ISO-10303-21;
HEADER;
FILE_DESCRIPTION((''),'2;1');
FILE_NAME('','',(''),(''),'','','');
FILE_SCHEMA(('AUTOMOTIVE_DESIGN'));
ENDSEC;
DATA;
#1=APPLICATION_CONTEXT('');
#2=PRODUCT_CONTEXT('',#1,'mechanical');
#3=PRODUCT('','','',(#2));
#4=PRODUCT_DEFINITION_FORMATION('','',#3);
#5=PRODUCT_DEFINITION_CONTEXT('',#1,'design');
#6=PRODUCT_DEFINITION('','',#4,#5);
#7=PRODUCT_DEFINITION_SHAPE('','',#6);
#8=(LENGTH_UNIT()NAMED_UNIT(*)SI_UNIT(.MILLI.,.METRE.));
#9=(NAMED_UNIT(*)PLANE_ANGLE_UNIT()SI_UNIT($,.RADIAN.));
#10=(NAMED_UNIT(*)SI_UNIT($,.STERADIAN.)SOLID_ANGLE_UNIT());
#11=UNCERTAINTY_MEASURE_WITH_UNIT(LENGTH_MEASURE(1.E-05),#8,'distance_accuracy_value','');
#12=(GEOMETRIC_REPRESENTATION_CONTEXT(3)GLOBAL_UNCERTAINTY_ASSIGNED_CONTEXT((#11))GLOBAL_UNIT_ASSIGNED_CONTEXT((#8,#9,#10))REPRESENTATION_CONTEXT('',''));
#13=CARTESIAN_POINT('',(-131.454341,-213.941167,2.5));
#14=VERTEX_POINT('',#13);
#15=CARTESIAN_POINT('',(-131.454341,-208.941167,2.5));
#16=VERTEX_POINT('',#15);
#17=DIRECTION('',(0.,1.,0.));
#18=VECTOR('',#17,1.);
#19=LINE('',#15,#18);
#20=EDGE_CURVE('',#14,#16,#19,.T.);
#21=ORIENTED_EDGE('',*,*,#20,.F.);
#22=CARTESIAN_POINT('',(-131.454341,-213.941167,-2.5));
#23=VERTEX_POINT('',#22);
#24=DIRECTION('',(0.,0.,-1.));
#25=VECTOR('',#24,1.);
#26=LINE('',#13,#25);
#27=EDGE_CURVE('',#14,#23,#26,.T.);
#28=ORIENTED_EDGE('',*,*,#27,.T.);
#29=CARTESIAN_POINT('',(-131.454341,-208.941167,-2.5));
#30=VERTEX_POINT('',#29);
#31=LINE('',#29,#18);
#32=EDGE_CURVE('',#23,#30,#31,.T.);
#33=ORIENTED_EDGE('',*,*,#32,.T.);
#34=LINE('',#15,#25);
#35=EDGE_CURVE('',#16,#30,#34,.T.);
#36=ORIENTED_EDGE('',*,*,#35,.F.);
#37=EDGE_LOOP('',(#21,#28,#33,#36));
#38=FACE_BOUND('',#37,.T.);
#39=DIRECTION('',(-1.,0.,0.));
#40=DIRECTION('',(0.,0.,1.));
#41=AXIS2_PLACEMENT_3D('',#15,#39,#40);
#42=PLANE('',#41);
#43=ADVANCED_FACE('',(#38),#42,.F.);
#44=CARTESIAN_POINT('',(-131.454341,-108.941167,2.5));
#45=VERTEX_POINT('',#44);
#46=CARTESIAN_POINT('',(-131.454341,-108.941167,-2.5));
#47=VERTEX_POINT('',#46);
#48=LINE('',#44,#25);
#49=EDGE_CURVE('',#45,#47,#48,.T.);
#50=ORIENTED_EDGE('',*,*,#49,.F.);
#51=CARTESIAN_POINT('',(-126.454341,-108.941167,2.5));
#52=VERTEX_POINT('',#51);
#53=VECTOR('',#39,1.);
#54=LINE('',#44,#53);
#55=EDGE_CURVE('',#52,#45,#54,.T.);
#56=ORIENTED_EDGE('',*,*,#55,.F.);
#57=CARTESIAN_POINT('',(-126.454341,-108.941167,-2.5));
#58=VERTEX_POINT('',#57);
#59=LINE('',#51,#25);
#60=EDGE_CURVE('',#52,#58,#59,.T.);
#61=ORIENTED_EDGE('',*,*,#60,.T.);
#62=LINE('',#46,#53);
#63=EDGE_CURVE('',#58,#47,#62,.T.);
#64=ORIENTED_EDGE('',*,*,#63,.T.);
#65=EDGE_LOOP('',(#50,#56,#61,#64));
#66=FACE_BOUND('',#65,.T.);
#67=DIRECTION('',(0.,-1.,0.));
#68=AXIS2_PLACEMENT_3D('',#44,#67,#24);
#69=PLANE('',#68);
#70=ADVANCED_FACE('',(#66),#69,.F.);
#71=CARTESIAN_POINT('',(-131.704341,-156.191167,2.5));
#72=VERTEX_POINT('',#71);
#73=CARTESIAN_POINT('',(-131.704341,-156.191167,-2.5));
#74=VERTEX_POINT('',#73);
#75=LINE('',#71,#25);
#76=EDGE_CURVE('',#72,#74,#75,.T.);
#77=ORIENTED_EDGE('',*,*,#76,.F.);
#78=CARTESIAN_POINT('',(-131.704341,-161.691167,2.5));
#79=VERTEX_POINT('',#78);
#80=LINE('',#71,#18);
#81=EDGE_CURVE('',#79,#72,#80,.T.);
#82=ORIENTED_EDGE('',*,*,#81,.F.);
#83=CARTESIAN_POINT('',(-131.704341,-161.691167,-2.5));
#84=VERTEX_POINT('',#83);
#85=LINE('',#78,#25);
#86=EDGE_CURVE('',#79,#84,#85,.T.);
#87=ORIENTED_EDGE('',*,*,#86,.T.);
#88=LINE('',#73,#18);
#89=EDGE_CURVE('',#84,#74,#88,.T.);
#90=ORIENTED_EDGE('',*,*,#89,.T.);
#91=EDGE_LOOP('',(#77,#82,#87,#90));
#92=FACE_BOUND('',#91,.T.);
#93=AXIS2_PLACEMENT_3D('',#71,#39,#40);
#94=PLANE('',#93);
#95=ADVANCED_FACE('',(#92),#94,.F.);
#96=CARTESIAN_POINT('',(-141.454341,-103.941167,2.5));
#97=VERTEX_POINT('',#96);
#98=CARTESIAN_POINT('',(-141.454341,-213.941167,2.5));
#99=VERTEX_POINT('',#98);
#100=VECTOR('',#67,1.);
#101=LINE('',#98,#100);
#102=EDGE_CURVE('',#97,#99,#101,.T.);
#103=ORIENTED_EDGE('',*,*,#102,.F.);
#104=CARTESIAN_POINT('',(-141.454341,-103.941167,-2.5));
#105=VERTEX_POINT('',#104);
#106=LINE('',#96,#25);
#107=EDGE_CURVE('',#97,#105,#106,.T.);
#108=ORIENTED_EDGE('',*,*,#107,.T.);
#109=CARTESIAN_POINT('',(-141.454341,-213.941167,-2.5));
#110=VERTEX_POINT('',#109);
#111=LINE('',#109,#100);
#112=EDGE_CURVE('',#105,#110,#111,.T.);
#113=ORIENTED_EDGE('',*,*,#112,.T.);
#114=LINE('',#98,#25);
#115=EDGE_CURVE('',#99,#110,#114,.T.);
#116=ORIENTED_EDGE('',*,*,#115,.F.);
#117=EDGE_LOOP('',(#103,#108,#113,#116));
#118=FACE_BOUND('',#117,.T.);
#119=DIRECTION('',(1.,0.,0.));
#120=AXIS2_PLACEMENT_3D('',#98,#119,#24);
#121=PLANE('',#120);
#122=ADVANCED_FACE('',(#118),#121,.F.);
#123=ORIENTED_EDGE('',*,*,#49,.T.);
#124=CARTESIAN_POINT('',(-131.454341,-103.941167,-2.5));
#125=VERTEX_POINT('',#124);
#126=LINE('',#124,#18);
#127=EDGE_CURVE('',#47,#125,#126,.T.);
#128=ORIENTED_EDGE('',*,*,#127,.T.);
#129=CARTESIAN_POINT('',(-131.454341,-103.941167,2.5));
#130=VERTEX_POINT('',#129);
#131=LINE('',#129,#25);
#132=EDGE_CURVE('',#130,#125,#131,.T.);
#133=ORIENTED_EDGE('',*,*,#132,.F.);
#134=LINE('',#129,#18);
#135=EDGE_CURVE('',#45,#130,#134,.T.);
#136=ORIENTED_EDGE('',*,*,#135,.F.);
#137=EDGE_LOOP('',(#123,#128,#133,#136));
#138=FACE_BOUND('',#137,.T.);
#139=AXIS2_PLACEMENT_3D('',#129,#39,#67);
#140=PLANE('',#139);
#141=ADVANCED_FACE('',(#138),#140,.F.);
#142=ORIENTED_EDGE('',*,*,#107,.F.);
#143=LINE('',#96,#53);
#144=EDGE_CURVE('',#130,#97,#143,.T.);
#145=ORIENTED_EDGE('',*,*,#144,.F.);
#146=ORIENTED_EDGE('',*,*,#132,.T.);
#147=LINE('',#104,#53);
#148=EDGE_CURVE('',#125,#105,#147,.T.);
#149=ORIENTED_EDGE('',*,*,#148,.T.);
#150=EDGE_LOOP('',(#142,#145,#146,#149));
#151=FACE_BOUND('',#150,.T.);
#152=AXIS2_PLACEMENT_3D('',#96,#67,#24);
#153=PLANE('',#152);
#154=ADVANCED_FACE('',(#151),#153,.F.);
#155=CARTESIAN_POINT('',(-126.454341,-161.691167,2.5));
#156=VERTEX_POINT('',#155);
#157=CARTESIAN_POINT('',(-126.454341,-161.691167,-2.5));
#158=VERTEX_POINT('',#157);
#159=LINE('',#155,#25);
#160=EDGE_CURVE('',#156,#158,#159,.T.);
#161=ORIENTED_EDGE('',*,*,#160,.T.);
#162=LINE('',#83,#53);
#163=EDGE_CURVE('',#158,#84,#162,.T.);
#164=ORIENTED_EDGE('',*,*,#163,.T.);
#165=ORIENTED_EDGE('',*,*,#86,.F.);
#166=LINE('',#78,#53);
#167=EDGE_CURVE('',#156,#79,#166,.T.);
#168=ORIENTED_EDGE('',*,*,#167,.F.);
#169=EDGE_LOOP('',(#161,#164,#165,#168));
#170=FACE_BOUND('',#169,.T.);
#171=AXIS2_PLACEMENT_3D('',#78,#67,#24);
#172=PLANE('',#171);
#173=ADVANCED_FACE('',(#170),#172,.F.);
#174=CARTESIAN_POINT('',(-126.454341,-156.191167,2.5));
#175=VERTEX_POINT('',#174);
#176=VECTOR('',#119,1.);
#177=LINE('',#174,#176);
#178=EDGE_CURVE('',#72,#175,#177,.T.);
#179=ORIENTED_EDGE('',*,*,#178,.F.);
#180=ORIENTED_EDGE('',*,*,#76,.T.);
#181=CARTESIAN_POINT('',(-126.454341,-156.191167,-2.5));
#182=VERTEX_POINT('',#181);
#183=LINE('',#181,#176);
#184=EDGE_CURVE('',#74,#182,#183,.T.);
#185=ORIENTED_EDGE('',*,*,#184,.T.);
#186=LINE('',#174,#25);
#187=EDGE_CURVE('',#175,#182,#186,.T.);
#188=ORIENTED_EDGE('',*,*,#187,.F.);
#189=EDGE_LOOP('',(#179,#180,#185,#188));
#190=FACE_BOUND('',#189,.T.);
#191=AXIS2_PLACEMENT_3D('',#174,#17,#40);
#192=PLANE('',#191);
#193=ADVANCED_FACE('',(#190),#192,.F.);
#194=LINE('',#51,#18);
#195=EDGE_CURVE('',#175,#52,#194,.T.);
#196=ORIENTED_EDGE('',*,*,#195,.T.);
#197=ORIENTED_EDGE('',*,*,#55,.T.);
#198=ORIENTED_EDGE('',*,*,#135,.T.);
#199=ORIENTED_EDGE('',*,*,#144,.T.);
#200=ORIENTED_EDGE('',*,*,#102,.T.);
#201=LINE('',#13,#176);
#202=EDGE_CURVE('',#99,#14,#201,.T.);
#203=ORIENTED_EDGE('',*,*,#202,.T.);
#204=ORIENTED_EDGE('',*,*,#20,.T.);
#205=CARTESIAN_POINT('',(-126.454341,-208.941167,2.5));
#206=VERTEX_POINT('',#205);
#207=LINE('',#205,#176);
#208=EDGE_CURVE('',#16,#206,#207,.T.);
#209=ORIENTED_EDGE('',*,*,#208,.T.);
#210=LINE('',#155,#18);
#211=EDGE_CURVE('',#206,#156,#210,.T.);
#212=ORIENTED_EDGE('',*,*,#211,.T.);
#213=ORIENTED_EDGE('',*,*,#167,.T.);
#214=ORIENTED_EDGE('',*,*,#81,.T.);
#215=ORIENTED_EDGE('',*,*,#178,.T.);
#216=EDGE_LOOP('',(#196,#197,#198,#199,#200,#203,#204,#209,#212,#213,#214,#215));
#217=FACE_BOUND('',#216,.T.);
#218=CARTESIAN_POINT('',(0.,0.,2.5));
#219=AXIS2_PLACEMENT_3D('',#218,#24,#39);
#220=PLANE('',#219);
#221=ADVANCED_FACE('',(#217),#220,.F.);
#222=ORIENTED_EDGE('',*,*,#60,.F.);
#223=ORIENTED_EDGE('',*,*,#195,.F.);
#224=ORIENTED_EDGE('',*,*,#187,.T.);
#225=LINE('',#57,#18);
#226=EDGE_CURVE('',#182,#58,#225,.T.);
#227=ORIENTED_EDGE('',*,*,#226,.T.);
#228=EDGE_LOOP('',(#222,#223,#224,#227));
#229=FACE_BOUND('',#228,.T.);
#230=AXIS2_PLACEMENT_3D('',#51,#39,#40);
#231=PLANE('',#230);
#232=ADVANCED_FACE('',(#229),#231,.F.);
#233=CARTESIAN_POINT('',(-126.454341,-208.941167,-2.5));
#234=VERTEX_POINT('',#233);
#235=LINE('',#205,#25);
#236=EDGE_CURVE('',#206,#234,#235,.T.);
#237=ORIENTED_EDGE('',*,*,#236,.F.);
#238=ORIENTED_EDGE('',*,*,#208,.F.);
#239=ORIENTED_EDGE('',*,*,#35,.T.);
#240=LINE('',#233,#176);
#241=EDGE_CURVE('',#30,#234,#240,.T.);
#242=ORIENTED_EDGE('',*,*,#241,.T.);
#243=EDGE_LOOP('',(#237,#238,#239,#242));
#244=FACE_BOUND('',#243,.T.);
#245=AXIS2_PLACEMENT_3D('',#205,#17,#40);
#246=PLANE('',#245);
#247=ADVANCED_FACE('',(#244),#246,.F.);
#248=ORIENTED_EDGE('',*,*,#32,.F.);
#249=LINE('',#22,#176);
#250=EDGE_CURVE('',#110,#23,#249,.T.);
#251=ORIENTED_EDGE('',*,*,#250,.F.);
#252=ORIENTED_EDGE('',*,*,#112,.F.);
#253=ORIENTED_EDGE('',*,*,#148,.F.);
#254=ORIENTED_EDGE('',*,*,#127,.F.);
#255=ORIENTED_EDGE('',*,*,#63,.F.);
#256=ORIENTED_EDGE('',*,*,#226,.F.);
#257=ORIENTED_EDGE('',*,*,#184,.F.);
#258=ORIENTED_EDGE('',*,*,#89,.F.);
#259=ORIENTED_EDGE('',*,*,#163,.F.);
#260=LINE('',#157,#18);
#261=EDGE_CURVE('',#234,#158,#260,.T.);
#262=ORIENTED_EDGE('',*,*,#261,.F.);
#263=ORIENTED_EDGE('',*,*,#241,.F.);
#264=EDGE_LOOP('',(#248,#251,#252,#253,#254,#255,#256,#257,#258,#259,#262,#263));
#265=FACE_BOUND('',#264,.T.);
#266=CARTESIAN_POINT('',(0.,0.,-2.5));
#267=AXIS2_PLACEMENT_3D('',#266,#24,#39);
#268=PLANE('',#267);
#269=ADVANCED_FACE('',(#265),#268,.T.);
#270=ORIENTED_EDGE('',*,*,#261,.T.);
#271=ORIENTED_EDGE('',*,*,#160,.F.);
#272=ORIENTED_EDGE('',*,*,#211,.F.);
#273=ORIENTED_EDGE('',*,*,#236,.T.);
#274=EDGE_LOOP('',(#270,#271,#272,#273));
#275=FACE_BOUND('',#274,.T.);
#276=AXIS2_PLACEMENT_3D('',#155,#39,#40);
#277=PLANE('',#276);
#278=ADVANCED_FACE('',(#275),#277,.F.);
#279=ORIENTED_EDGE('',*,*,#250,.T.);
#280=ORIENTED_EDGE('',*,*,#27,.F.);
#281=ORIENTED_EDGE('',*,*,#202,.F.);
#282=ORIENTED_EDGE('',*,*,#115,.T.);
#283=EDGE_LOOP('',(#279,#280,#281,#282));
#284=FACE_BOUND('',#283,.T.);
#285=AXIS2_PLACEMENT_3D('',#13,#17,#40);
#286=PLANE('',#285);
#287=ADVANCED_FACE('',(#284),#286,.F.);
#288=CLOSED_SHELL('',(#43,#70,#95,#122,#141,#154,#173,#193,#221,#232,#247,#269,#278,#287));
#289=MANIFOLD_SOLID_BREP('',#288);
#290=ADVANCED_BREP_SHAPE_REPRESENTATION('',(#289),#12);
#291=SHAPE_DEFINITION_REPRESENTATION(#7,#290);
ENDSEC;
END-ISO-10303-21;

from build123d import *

# Parameters (mm, degrees)
BOSS_EXTRUDE1_DEPTH = 2.5


with BuildPart() as part:
    # Sketch1 → Boss-Extrude1 (new, symmetric)
    with BuildSketch(Plane.XY):
        Polygon((-131.454340614, -213.941167375), (-141.454340614, -213.941167375), (-141.454340614, -103.941167375), (-131.454340614, -103.941167375), (-131.454340614, -108.941167375), (-126.454340614, -108.941167375), (-126.454340614, -156.191167375), (-131.704340614, -156.191167375), (-131.704340614, -161.691167375), (-126.454340614, -161.691167375), (-126.454340614, -208.941167375), (-131.454340614, -208.941167375), align=None)
    extrude(amount=BOSS_EXTRUDE1_DEPTH, both=True)


solid = part.part
